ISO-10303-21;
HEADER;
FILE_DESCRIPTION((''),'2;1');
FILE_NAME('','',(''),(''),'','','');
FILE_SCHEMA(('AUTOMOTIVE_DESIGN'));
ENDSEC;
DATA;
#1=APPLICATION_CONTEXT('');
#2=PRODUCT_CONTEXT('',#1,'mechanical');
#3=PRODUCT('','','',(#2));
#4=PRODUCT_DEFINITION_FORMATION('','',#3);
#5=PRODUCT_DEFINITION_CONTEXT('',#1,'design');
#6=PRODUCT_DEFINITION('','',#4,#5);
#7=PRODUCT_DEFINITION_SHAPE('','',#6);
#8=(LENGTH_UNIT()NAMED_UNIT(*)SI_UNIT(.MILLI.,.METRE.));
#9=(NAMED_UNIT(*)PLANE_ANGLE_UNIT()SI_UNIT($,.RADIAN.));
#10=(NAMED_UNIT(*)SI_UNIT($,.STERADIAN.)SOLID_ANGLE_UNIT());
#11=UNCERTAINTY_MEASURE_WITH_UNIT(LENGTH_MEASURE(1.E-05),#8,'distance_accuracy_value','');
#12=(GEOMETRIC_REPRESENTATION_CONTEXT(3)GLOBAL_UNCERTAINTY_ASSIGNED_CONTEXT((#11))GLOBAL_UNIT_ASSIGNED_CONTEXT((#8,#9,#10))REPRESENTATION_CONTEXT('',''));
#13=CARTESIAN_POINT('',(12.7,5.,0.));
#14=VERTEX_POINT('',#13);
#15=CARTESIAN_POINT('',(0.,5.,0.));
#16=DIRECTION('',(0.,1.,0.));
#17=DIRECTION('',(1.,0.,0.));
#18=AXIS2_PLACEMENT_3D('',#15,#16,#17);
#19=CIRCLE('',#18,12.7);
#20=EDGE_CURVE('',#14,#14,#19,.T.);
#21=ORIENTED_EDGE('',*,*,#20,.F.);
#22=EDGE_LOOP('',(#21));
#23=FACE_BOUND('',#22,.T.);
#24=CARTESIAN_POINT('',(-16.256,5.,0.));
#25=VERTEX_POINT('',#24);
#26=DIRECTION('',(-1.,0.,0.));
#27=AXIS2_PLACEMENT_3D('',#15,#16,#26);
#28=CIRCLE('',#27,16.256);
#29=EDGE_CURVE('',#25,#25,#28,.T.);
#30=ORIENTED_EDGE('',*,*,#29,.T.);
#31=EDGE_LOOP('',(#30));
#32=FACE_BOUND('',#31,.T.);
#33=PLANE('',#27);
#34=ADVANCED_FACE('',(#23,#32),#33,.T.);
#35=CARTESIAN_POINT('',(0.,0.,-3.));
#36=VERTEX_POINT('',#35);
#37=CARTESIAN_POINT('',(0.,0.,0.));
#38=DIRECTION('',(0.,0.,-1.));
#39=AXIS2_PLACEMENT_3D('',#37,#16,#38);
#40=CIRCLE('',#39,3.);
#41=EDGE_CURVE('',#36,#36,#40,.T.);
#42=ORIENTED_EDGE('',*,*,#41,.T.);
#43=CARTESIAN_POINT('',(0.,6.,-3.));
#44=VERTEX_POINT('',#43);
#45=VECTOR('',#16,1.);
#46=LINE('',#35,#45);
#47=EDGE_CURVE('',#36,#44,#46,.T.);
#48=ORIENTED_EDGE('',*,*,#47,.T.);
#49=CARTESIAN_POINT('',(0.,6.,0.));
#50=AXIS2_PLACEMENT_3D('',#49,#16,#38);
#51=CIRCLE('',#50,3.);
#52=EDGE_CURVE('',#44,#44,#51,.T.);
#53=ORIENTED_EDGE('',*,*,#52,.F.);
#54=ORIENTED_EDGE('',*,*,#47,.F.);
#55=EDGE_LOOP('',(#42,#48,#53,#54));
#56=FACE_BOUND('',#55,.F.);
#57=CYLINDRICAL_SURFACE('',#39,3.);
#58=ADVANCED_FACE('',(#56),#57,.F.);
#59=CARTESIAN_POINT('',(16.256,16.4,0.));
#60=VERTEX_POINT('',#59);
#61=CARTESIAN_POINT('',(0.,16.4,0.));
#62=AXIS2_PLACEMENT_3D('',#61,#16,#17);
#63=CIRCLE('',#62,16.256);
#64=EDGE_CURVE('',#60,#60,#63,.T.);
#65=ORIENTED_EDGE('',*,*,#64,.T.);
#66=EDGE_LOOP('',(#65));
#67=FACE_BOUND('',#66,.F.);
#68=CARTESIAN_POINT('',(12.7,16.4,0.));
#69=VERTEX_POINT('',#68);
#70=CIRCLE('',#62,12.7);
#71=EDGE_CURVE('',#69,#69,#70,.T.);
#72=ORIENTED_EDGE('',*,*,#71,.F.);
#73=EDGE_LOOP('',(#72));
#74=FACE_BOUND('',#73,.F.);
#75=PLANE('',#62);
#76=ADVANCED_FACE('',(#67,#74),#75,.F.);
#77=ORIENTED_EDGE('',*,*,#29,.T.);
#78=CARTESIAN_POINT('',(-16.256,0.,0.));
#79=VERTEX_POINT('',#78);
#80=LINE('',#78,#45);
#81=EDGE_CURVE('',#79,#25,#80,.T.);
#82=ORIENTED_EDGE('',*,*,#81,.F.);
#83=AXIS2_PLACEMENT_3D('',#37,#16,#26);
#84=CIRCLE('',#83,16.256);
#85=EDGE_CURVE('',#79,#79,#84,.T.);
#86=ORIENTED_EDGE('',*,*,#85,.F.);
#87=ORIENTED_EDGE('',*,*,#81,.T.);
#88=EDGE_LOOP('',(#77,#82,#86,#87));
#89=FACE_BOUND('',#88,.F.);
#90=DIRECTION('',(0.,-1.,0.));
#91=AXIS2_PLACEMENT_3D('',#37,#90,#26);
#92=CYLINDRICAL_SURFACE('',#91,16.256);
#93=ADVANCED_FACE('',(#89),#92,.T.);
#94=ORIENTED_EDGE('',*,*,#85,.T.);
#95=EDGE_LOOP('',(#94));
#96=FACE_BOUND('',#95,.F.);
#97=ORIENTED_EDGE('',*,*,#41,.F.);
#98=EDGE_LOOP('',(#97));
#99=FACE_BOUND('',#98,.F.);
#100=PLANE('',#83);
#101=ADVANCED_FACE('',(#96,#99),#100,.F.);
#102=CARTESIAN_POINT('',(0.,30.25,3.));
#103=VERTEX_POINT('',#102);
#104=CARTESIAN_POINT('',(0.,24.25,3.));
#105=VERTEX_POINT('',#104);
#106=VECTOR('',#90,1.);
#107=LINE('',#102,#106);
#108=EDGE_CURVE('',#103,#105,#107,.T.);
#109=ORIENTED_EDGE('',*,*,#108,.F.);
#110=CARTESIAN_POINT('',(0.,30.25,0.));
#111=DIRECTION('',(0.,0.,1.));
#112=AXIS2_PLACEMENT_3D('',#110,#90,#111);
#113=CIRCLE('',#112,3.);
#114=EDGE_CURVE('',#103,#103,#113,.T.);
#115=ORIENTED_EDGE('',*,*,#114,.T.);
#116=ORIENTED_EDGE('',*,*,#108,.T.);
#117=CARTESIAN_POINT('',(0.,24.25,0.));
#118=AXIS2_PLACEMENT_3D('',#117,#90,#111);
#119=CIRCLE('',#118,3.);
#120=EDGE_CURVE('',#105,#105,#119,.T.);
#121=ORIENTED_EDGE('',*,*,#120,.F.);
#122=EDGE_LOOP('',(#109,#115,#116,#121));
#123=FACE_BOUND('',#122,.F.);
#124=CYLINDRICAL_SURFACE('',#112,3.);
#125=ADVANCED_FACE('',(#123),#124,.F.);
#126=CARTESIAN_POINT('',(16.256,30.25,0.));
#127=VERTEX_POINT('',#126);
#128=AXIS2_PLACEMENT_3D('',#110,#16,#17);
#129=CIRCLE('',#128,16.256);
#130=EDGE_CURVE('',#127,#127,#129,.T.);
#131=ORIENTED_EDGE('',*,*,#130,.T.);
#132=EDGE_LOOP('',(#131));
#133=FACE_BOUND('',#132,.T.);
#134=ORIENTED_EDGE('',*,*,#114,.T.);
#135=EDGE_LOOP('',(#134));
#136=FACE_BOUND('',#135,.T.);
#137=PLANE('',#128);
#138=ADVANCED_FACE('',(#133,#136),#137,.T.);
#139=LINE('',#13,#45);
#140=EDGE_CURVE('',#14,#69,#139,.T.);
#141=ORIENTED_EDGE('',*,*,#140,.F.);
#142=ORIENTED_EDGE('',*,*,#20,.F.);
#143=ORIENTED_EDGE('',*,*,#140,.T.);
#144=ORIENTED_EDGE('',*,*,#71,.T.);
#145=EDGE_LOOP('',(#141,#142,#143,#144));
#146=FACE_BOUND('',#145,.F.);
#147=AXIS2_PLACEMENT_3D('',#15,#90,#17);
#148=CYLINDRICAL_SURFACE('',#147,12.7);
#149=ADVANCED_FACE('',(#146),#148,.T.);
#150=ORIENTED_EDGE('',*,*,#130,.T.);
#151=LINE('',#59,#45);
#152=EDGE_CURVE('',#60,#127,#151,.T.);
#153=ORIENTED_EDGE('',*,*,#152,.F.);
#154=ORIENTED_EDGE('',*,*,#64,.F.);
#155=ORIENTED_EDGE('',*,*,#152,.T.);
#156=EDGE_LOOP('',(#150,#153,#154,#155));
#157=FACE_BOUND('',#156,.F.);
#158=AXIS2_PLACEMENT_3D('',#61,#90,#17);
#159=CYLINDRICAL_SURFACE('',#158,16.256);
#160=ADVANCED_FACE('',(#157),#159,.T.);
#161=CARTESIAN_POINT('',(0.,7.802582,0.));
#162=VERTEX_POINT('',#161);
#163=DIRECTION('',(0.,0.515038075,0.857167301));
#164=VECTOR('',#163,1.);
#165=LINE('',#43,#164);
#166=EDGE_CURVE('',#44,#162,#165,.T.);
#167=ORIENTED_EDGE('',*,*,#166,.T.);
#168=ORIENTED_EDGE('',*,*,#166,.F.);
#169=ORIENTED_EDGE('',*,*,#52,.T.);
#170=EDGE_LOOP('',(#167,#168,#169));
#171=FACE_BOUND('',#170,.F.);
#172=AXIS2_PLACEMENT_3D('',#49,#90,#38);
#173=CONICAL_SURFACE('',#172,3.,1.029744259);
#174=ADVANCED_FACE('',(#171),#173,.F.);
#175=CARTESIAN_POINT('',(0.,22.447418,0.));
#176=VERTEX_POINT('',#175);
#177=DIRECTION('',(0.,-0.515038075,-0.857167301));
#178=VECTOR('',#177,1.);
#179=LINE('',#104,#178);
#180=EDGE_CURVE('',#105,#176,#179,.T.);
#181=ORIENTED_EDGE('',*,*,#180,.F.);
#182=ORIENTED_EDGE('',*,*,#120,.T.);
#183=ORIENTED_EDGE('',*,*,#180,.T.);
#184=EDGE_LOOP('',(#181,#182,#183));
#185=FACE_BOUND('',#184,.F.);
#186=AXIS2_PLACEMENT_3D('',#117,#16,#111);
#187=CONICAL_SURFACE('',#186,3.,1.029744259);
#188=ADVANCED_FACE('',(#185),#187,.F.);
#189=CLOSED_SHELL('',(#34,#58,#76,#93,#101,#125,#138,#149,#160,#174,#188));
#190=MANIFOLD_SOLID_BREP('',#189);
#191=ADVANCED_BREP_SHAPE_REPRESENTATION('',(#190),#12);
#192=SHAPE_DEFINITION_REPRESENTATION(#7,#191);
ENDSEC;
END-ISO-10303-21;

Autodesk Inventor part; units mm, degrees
ref_plane "YZ Plane" through (0, 0, 0) normal (1, 0, 0) x (0, 1, 0)
ref_plane "XZ Plane" through (0, 0, 0) normal (0, 1, 0) x (-1, 0, 0)
ref_plane "XY Plane" through (0, 0, 0) normal (0, 0, 1) x (1, 0, 0)
sketch "Sketch1" plane through (0, 0, 0) normal (0, 1, 0) x (-1, 0, 0)
  circle A0 centre (0, 0) radius 16.256
  dimension "d0" = 32.512
extrude "Extrusion1" add sketch "Sketch1" along normal blind 5
sketch "Sketch11" plane through (0, 5, 0) normal (0, 1, 0) x (1, 0, 0)
  circle A0 centre (0, 0) radius 12.7
  dimension "d38" = 25.4
extrude "Extrusion6" add sketch "Sketch11" along normal blind 11.4
sketch "Sketch12" plane through (0, 16.4, 0) normal (0, 1, 0) x (1, 0, 0)
  circle A0 centre (0, 0) radius 16.256
  dimension "d41" = 32.512
extrude "Extrusion7" add sketch "Sketch12" along normal blind 13.85
sketch "Sketch13" plane through (0, 30.25, 0) normal (0, 1, 0) x (1, 0, 0)
  point P0 (0, 0)
  point P1 (0, 0)
hole "Hole2" at (0, 30.25, 0) direction (0, -1, 0) diameter 6 depth 6 tip angle 118
thread "Thread3" size "1/4-20 UNC" class "2B" standard "ANSI Unified Screw Threads" full length
sketch "Sketch14" plane through (0, 0, 0) normal (0, -1, 0) x (1, 0, 0)
  circle A0 centre (0, 0) radius 3 projected
hole "Hole3" at (0, 0, 0) direction (0, 1, 0) diameter 6 depth 6 tip angle 118
thread "Thread4" size "1/4-20 UNC" class "2B" standard "ANSI Unified Screw Threads" full length
properties part number "POSTE_ESPEJO"
